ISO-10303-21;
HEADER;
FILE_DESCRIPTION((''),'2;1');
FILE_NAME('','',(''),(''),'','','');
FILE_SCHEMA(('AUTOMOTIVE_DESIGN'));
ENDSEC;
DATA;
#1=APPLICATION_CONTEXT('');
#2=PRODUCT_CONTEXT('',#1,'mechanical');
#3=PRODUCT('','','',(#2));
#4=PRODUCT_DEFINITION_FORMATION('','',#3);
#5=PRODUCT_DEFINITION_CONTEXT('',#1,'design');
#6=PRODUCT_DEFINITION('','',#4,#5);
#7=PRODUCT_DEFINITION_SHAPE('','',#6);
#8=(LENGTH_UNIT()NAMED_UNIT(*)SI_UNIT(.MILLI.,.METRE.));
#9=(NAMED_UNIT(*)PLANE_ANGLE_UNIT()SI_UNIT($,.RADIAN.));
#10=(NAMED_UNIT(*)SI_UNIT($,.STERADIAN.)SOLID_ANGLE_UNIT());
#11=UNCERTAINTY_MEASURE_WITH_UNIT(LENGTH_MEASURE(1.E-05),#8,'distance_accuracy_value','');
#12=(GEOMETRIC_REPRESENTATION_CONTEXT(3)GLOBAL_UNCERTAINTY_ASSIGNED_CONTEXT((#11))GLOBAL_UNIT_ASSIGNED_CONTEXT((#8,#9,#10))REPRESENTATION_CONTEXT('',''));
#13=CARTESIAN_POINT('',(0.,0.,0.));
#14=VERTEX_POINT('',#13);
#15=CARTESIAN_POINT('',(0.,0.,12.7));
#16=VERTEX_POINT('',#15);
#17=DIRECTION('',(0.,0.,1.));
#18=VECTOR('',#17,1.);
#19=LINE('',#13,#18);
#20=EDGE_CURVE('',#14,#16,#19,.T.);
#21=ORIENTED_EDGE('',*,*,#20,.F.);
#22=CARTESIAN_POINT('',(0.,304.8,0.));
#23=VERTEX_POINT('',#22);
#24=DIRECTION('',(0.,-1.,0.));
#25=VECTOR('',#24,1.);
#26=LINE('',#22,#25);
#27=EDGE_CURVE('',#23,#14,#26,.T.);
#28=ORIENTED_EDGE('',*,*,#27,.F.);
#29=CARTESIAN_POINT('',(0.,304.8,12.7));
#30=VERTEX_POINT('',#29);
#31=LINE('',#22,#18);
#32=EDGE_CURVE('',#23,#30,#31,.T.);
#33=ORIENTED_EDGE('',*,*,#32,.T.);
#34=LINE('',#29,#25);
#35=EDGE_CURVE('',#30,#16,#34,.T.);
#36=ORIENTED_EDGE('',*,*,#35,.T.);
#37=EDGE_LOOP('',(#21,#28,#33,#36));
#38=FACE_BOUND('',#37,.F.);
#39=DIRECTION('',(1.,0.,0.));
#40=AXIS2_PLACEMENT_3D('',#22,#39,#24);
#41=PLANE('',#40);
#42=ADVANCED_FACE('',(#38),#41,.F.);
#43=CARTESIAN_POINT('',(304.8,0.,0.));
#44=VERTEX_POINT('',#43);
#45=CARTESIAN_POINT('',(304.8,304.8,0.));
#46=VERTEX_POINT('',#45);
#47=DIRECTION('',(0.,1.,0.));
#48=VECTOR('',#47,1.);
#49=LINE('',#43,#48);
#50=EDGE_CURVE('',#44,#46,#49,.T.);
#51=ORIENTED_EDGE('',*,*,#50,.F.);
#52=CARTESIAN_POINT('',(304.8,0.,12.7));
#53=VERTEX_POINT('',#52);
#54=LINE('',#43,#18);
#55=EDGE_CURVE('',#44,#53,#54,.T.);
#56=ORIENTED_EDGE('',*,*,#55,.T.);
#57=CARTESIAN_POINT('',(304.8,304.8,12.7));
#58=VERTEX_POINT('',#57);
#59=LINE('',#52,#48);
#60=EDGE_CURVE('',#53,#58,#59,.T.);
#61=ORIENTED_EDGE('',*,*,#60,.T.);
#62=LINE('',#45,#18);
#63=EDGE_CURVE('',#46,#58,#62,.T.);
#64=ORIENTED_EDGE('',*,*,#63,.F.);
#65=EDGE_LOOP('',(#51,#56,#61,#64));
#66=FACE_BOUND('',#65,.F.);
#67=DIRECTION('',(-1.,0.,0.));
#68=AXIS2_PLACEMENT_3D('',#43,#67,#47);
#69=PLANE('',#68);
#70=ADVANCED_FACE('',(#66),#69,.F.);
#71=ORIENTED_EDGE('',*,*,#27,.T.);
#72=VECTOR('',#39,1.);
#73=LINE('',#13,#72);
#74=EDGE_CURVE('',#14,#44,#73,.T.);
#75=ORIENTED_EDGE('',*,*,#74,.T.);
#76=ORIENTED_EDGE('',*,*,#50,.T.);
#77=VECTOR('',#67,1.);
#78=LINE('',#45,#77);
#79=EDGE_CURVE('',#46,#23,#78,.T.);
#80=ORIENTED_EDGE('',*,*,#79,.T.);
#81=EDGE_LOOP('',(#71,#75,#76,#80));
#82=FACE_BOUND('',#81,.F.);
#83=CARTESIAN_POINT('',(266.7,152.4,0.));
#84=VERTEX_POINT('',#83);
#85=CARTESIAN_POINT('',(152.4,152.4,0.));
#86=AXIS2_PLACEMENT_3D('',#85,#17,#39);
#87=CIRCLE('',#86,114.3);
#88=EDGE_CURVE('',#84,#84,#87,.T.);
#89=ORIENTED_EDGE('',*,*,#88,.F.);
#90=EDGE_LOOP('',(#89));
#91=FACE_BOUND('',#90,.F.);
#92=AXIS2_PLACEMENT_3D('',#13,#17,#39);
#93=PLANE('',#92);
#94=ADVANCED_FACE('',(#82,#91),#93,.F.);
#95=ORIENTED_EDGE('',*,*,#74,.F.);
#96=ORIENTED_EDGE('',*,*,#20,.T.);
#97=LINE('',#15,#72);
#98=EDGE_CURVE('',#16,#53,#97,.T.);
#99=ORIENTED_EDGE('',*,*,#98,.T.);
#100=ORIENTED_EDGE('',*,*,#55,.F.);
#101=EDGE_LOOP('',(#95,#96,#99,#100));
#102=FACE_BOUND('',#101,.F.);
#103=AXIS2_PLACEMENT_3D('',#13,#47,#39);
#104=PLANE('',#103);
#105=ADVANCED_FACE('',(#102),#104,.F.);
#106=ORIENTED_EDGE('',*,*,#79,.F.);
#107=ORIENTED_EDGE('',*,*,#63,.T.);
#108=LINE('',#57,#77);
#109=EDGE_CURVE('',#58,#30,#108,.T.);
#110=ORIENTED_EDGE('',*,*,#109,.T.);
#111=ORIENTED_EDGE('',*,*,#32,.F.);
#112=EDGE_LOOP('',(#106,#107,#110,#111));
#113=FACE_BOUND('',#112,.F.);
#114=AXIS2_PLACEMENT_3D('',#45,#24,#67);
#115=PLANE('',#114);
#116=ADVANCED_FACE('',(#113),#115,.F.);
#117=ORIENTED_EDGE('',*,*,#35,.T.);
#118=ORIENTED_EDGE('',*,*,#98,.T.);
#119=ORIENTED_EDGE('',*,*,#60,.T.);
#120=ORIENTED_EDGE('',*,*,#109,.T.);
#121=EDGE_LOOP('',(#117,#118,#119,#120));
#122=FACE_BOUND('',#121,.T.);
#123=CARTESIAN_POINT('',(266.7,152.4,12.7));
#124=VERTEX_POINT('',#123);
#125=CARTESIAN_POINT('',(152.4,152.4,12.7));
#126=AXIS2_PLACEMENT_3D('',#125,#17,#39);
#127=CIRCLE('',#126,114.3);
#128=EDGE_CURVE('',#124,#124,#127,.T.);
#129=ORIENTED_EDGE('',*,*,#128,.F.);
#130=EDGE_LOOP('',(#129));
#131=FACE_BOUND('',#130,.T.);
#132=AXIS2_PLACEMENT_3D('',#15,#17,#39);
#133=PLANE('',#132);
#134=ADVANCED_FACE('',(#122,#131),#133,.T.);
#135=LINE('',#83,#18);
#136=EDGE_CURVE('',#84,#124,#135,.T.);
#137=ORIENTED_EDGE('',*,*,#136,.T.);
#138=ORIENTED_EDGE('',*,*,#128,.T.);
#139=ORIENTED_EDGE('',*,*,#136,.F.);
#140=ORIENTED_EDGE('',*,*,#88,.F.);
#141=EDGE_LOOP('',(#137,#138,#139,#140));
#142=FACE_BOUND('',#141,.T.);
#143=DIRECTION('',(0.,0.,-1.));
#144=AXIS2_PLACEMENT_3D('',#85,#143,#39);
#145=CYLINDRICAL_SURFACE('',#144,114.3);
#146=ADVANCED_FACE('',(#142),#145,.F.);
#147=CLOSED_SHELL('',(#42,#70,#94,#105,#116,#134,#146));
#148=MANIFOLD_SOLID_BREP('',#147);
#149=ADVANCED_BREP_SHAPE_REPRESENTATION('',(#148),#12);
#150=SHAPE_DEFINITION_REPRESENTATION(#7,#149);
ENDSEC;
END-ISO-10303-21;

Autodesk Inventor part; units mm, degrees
ref_plane "YZ Plane" through (0, 0, 0) normal (1, 0, 0) x (0, 1, 0)
ref_plane "XZ Plane" through (0, 0, 0) normal (0, 1, 0) x (-1, 0, 0)
ref_plane "XY Plane" through (0, 0, 0) normal (0, 0, 1) x (1, 0, 0)
sketch "Sketch1" plane through (0, 0, 0) normal (0, 0, 1) x (1, 0, 0)
  line L0 (0, 0) -> (304.8, 0)
  line L1 (304.8, 0) -> (304.8, 304.8)
  line L2 (304.8, 304.8) -> (0, 304.8)
  line L3 (0, 304.8) -> (0, 0)
  circle A0 centre (152.4, 152.4) radius 114.3
  point P0 (304.8, 152.4)
  point P1 (152.4, 304.8)
  dimension "d0" = 304.8
  dimension "d1" = 228.6
extrude "Extrusion1" add sketch "Sketch1" along normal blind 12.7
properties material "MDF Medium Density Fiberboard"
